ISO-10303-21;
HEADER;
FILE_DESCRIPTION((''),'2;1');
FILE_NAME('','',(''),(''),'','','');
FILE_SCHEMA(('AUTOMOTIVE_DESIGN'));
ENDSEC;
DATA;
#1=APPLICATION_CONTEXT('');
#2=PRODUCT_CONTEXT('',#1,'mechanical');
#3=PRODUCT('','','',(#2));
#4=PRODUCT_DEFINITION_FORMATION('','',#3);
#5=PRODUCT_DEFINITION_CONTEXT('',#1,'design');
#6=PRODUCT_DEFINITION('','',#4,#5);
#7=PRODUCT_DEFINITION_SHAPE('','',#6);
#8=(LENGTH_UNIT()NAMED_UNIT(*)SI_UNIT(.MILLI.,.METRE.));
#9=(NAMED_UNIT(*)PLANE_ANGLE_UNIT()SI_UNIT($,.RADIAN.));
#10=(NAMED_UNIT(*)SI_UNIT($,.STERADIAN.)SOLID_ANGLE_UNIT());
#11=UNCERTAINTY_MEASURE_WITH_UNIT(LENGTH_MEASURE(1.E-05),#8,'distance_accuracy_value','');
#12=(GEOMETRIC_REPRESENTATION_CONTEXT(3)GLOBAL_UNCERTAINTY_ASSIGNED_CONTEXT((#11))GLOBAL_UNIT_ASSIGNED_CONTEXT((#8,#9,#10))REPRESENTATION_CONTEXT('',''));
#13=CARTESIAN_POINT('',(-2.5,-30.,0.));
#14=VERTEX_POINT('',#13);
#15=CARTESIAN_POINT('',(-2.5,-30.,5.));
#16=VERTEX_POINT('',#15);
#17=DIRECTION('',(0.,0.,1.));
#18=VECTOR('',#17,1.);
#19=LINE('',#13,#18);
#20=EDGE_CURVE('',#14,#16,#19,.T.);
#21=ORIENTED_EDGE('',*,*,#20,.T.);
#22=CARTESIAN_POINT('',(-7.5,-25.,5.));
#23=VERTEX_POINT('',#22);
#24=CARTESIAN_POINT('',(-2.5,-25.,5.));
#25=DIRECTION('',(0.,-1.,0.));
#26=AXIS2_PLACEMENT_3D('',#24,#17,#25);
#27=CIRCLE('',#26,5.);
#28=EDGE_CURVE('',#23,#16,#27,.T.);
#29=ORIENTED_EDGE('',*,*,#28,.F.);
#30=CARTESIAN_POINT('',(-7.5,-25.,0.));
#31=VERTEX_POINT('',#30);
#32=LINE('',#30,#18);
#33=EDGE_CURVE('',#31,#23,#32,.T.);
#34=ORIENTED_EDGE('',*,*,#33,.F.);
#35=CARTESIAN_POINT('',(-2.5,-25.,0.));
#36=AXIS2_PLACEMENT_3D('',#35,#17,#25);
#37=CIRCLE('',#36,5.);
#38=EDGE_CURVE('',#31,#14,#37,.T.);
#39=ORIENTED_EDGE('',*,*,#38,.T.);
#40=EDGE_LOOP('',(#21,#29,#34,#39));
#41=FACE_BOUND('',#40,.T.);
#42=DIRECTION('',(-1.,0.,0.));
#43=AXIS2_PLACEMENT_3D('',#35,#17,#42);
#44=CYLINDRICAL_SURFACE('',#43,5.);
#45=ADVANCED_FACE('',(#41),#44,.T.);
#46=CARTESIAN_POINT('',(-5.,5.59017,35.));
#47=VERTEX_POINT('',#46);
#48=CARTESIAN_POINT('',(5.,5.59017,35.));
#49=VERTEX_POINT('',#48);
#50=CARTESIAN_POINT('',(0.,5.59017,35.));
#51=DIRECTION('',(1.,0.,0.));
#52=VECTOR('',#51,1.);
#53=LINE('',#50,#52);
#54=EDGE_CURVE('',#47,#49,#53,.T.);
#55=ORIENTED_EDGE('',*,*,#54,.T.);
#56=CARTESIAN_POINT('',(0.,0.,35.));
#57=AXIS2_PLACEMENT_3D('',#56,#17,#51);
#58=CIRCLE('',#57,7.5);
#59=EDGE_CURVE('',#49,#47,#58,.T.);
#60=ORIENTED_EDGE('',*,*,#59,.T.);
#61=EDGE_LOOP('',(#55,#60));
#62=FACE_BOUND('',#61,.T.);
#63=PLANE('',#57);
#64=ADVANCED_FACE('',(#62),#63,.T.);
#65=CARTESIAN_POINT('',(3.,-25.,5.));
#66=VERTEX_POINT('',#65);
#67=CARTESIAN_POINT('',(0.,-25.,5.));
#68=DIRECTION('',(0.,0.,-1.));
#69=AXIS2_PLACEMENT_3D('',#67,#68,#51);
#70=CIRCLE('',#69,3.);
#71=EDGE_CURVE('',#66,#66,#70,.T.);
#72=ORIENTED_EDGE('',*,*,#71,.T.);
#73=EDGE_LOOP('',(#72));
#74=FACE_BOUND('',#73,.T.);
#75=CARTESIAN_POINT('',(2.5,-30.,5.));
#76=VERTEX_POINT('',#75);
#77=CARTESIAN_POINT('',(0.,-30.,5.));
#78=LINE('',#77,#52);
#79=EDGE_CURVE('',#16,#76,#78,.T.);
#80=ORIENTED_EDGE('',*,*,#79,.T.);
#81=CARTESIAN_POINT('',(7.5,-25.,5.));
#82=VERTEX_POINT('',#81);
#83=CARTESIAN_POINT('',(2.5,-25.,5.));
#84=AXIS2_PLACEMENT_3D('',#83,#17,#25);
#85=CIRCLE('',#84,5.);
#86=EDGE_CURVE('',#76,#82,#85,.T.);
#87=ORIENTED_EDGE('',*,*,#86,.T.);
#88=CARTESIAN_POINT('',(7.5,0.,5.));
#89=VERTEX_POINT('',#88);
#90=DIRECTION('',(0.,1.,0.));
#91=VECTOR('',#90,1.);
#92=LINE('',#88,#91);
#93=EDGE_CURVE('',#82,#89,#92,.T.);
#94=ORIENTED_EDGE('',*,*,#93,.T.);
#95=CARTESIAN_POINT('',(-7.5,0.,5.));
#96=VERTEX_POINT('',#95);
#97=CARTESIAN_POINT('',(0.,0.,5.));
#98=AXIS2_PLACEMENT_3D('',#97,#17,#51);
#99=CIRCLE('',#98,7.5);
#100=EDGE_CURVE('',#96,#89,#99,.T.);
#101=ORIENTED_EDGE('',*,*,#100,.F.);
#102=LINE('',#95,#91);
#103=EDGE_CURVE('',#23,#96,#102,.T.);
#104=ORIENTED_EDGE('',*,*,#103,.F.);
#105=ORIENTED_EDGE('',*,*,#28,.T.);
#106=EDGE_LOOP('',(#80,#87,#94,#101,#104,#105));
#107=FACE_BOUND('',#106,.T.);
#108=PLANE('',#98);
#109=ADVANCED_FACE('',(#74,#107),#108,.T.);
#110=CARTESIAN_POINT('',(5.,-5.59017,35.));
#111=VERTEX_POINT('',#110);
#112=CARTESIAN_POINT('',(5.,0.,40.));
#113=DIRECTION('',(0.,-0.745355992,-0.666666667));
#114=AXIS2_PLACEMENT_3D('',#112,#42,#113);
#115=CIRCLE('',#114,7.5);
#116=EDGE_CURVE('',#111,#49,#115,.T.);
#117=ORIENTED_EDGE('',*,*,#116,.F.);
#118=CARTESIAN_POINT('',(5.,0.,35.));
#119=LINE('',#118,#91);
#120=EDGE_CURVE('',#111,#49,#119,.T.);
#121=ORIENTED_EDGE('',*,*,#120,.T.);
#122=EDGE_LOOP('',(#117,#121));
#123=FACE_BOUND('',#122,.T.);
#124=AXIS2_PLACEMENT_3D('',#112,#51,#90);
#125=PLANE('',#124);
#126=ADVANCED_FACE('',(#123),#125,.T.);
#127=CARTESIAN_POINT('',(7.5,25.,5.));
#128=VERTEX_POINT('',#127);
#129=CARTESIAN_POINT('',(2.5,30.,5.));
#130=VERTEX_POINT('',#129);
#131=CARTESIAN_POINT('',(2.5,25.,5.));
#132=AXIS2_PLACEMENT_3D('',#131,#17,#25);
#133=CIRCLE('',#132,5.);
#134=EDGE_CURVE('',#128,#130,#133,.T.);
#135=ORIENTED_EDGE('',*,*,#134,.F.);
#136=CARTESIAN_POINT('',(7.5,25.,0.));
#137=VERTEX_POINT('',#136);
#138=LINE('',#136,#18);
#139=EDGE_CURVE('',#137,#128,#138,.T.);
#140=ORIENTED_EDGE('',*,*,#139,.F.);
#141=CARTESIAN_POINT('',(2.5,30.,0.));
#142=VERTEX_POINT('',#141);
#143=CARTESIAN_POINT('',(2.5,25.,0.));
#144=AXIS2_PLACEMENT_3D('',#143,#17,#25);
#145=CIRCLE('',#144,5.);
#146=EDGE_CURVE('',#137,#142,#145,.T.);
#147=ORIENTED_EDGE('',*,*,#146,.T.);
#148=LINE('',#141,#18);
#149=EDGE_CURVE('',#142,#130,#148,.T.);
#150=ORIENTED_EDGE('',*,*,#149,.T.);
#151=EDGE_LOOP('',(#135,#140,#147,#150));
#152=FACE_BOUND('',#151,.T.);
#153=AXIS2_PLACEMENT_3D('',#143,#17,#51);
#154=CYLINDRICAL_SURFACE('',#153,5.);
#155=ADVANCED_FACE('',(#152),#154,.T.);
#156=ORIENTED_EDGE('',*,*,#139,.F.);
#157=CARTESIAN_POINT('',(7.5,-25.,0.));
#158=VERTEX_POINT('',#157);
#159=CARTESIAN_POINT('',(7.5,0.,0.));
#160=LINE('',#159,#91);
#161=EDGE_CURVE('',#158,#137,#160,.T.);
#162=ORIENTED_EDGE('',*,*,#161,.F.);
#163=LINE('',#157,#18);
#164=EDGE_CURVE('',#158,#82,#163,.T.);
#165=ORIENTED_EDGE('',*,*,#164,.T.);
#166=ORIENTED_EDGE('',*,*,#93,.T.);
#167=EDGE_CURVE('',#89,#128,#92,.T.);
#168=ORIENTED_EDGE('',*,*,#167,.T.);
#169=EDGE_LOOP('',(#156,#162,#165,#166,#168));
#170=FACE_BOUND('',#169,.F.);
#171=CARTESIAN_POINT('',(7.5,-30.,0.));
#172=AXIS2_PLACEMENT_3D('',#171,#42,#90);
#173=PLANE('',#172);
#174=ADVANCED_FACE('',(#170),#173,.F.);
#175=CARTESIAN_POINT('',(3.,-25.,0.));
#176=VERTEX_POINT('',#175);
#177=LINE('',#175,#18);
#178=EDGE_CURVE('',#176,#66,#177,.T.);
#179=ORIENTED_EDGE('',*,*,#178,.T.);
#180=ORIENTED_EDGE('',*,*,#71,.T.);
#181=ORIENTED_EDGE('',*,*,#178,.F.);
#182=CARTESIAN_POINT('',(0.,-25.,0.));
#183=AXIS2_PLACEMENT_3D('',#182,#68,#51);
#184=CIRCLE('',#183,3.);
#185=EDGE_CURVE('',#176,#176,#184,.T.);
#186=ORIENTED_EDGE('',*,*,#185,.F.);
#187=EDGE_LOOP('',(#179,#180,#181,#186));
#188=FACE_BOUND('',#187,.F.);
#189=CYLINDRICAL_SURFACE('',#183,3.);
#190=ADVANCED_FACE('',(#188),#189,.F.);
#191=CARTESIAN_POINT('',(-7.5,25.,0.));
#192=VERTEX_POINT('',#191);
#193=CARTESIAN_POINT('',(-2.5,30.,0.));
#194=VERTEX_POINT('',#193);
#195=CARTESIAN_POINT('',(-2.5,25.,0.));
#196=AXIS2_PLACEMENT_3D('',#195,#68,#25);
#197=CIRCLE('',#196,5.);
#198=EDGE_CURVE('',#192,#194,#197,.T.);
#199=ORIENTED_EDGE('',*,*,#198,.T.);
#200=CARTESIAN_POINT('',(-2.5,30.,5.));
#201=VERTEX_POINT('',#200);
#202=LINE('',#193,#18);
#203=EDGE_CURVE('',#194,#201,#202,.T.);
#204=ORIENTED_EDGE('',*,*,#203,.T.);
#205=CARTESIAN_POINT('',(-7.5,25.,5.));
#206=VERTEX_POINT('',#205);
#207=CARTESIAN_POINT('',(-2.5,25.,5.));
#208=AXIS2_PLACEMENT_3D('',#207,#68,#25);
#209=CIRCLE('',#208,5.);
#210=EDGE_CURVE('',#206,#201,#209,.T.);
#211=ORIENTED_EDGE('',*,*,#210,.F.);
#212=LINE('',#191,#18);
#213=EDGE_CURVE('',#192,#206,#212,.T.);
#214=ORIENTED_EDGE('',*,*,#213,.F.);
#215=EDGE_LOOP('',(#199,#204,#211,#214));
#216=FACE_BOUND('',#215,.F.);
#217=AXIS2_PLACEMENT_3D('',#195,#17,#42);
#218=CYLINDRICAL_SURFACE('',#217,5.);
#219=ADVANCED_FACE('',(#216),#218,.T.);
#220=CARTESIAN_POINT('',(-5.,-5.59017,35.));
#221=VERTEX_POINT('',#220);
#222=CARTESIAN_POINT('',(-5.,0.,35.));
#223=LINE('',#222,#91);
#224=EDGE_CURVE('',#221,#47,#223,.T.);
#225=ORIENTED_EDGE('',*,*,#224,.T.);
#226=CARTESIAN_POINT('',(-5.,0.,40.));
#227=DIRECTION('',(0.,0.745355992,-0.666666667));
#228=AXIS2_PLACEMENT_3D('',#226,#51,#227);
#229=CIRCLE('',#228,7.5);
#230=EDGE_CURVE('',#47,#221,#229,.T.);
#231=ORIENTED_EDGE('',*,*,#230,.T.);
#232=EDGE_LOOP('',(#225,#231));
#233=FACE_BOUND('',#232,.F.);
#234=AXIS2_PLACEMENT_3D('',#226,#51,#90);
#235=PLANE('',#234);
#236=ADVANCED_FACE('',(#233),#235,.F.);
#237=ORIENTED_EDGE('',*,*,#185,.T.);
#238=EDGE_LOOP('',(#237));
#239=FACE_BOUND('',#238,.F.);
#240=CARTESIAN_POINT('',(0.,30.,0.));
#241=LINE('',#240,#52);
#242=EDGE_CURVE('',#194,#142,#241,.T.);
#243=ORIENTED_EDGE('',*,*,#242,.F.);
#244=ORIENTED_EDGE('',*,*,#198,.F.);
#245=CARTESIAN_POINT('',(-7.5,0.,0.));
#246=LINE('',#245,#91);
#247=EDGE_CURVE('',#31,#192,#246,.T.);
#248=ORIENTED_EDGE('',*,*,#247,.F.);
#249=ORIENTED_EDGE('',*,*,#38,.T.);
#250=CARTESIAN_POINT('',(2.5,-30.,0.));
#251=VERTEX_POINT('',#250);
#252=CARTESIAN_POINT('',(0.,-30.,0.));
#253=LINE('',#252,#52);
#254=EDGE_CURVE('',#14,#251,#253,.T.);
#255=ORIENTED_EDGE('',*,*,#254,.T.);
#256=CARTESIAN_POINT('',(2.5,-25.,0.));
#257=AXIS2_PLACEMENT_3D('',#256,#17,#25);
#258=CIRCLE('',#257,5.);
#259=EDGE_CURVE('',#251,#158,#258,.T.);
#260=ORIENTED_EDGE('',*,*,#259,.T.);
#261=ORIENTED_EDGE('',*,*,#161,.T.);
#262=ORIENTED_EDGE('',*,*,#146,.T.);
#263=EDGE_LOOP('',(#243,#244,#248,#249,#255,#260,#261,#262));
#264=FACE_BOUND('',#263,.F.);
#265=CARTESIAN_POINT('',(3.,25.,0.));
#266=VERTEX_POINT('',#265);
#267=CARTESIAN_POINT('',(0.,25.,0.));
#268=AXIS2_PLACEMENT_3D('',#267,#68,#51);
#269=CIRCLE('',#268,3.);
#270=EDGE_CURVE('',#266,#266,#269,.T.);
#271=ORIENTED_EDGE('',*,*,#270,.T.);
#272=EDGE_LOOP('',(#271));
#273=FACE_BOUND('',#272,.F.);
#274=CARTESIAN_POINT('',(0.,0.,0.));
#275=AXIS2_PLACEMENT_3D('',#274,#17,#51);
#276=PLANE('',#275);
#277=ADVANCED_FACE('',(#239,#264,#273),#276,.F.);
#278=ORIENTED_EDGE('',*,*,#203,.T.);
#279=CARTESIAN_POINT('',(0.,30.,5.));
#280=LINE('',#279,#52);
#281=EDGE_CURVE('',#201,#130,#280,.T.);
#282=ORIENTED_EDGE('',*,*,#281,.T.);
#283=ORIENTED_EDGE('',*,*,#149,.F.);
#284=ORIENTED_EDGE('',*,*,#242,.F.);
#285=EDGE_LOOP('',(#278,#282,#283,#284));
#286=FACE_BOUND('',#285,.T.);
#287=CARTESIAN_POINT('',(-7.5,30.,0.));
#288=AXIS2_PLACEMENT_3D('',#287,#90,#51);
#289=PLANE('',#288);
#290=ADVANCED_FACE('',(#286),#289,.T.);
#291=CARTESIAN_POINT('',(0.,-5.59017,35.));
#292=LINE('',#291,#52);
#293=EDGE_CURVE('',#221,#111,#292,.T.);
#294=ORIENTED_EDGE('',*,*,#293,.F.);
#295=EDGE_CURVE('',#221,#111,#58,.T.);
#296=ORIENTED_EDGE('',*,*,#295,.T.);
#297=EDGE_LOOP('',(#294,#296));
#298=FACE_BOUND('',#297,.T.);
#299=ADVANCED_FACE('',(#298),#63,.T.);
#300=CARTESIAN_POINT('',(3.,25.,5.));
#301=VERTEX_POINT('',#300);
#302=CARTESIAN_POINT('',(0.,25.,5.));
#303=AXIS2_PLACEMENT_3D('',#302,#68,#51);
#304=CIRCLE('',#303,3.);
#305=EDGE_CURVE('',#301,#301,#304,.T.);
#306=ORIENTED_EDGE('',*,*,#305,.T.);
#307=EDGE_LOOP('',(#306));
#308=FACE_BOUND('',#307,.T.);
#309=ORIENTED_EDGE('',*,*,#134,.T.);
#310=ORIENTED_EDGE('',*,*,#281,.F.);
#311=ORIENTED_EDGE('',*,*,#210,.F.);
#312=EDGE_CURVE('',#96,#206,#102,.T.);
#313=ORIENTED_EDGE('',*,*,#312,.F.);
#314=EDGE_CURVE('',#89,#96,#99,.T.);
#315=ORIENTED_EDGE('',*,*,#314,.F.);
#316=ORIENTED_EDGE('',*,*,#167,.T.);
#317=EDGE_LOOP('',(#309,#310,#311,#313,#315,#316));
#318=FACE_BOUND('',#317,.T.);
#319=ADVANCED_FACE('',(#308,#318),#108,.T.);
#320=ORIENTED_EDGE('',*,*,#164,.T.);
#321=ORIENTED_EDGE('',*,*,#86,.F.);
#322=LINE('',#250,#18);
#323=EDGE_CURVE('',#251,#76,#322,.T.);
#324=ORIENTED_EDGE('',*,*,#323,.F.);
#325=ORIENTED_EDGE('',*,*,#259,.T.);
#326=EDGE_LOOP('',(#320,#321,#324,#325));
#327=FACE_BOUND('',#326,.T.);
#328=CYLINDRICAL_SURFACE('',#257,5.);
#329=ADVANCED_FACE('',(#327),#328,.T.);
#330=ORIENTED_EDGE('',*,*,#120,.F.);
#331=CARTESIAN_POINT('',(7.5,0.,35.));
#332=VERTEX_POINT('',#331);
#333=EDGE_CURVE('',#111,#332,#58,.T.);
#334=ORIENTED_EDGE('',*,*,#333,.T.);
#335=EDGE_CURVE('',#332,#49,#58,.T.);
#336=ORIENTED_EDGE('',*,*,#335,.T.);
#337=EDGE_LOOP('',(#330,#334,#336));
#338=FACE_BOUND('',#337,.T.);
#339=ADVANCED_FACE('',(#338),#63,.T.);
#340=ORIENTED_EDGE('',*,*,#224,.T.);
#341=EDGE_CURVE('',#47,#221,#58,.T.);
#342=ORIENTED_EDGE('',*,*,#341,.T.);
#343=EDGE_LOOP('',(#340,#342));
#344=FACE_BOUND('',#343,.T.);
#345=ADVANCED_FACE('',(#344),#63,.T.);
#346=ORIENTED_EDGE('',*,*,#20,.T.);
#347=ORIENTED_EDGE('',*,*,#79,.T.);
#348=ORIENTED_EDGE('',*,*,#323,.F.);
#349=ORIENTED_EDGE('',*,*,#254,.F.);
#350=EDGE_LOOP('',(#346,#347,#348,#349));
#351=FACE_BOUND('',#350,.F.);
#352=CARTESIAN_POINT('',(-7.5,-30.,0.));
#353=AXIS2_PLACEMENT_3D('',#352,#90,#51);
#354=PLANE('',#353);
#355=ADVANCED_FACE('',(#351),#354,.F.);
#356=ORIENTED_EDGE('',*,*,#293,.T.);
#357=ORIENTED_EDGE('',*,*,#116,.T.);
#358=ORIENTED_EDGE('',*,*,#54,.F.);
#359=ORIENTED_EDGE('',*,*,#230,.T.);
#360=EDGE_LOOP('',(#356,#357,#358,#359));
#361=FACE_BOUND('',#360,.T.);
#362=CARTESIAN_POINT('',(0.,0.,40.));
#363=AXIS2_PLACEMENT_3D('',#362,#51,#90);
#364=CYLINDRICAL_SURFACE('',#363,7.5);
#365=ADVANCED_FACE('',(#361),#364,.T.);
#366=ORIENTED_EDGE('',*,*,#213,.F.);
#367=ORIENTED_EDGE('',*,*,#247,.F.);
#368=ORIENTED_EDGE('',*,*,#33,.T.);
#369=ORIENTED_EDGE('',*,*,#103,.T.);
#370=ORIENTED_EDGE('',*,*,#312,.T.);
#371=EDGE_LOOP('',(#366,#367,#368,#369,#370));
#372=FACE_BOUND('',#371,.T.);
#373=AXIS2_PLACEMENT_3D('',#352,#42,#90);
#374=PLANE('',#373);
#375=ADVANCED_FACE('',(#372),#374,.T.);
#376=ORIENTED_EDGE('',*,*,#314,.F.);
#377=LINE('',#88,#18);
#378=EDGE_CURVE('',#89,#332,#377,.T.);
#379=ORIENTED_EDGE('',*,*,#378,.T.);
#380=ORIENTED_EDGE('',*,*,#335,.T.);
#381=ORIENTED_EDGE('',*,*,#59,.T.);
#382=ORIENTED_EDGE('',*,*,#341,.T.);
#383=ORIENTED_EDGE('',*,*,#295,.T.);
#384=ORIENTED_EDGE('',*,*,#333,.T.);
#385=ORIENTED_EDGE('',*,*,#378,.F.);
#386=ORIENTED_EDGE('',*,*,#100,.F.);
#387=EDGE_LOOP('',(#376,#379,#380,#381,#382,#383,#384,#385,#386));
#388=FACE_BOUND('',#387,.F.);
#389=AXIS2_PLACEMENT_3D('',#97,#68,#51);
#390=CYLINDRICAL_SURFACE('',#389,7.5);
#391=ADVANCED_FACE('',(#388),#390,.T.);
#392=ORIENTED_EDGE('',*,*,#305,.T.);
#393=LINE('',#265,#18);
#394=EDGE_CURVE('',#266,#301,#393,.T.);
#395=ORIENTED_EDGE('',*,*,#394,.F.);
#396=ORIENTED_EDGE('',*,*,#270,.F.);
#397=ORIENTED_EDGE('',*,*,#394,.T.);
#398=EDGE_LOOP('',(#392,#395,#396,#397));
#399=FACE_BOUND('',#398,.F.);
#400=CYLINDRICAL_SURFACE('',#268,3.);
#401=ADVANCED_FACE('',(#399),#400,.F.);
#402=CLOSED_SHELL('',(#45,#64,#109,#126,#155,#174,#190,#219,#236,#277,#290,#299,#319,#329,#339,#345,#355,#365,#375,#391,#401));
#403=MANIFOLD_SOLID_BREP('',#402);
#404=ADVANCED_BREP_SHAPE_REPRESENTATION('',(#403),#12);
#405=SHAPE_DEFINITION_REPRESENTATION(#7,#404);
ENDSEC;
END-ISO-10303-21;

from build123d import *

# Parameters (mm, degrees)
F0_W     = 15
F0_H     = 60
F1_DEPTH = 5
F2_R     = 5
F3_R     = 7.5
F4_DEPTH = 30
F5_R     = 3
F6_DEPTH = 5
F7_R     = 7.5
F8_DEPTH = 5


with BuildPart() as f1:
    # F0 (on Top) → F1 (new body)
    with BuildSketch(Plane.XY):
        Rectangle(F0_W, F0_H)
    extrude(amount=F1_DEPTH)

    # F2
    f2_edges = [f1.edges().sort_by_distance(p)[0] for p in [
        (-7.5, 30, 2.5),
        (7.5, 30, 2.5),
        (7.5, -30, 2.5),
        (-7.5, -30, 2.5),
    ]]
    fillet(f2_edges, radius=F2_R)

    # F3 (on face) → F4 (join)
    with BuildSketch(Plane.XY.offset(5)):
        Circle(F3_R)
    extrude(amount=F4_DEPTH)

    # F5 (on face) → F6 (cut, through all)
    with BuildSketch(Plane(origin=(0, 0, 0), x_dir=(1, 0, 0), z_dir=(0, 0, -1))):
        with Locations((0, -25)):
            Circle(F5_R)
        with Locations((0, 25)):
            Circle(F5_R)
    extrude(amount=-F6_DEPTH, mode=Mode.SUBTRACT)

    # F7 (on Right) → F8 (join, symmetric)
    with BuildSketch(Plane.YZ):
        with Locations((0, 40)):
            Circle(F7_R)
    extrude(amount=F8_DEPTH, both=True)


solid = f1.part
